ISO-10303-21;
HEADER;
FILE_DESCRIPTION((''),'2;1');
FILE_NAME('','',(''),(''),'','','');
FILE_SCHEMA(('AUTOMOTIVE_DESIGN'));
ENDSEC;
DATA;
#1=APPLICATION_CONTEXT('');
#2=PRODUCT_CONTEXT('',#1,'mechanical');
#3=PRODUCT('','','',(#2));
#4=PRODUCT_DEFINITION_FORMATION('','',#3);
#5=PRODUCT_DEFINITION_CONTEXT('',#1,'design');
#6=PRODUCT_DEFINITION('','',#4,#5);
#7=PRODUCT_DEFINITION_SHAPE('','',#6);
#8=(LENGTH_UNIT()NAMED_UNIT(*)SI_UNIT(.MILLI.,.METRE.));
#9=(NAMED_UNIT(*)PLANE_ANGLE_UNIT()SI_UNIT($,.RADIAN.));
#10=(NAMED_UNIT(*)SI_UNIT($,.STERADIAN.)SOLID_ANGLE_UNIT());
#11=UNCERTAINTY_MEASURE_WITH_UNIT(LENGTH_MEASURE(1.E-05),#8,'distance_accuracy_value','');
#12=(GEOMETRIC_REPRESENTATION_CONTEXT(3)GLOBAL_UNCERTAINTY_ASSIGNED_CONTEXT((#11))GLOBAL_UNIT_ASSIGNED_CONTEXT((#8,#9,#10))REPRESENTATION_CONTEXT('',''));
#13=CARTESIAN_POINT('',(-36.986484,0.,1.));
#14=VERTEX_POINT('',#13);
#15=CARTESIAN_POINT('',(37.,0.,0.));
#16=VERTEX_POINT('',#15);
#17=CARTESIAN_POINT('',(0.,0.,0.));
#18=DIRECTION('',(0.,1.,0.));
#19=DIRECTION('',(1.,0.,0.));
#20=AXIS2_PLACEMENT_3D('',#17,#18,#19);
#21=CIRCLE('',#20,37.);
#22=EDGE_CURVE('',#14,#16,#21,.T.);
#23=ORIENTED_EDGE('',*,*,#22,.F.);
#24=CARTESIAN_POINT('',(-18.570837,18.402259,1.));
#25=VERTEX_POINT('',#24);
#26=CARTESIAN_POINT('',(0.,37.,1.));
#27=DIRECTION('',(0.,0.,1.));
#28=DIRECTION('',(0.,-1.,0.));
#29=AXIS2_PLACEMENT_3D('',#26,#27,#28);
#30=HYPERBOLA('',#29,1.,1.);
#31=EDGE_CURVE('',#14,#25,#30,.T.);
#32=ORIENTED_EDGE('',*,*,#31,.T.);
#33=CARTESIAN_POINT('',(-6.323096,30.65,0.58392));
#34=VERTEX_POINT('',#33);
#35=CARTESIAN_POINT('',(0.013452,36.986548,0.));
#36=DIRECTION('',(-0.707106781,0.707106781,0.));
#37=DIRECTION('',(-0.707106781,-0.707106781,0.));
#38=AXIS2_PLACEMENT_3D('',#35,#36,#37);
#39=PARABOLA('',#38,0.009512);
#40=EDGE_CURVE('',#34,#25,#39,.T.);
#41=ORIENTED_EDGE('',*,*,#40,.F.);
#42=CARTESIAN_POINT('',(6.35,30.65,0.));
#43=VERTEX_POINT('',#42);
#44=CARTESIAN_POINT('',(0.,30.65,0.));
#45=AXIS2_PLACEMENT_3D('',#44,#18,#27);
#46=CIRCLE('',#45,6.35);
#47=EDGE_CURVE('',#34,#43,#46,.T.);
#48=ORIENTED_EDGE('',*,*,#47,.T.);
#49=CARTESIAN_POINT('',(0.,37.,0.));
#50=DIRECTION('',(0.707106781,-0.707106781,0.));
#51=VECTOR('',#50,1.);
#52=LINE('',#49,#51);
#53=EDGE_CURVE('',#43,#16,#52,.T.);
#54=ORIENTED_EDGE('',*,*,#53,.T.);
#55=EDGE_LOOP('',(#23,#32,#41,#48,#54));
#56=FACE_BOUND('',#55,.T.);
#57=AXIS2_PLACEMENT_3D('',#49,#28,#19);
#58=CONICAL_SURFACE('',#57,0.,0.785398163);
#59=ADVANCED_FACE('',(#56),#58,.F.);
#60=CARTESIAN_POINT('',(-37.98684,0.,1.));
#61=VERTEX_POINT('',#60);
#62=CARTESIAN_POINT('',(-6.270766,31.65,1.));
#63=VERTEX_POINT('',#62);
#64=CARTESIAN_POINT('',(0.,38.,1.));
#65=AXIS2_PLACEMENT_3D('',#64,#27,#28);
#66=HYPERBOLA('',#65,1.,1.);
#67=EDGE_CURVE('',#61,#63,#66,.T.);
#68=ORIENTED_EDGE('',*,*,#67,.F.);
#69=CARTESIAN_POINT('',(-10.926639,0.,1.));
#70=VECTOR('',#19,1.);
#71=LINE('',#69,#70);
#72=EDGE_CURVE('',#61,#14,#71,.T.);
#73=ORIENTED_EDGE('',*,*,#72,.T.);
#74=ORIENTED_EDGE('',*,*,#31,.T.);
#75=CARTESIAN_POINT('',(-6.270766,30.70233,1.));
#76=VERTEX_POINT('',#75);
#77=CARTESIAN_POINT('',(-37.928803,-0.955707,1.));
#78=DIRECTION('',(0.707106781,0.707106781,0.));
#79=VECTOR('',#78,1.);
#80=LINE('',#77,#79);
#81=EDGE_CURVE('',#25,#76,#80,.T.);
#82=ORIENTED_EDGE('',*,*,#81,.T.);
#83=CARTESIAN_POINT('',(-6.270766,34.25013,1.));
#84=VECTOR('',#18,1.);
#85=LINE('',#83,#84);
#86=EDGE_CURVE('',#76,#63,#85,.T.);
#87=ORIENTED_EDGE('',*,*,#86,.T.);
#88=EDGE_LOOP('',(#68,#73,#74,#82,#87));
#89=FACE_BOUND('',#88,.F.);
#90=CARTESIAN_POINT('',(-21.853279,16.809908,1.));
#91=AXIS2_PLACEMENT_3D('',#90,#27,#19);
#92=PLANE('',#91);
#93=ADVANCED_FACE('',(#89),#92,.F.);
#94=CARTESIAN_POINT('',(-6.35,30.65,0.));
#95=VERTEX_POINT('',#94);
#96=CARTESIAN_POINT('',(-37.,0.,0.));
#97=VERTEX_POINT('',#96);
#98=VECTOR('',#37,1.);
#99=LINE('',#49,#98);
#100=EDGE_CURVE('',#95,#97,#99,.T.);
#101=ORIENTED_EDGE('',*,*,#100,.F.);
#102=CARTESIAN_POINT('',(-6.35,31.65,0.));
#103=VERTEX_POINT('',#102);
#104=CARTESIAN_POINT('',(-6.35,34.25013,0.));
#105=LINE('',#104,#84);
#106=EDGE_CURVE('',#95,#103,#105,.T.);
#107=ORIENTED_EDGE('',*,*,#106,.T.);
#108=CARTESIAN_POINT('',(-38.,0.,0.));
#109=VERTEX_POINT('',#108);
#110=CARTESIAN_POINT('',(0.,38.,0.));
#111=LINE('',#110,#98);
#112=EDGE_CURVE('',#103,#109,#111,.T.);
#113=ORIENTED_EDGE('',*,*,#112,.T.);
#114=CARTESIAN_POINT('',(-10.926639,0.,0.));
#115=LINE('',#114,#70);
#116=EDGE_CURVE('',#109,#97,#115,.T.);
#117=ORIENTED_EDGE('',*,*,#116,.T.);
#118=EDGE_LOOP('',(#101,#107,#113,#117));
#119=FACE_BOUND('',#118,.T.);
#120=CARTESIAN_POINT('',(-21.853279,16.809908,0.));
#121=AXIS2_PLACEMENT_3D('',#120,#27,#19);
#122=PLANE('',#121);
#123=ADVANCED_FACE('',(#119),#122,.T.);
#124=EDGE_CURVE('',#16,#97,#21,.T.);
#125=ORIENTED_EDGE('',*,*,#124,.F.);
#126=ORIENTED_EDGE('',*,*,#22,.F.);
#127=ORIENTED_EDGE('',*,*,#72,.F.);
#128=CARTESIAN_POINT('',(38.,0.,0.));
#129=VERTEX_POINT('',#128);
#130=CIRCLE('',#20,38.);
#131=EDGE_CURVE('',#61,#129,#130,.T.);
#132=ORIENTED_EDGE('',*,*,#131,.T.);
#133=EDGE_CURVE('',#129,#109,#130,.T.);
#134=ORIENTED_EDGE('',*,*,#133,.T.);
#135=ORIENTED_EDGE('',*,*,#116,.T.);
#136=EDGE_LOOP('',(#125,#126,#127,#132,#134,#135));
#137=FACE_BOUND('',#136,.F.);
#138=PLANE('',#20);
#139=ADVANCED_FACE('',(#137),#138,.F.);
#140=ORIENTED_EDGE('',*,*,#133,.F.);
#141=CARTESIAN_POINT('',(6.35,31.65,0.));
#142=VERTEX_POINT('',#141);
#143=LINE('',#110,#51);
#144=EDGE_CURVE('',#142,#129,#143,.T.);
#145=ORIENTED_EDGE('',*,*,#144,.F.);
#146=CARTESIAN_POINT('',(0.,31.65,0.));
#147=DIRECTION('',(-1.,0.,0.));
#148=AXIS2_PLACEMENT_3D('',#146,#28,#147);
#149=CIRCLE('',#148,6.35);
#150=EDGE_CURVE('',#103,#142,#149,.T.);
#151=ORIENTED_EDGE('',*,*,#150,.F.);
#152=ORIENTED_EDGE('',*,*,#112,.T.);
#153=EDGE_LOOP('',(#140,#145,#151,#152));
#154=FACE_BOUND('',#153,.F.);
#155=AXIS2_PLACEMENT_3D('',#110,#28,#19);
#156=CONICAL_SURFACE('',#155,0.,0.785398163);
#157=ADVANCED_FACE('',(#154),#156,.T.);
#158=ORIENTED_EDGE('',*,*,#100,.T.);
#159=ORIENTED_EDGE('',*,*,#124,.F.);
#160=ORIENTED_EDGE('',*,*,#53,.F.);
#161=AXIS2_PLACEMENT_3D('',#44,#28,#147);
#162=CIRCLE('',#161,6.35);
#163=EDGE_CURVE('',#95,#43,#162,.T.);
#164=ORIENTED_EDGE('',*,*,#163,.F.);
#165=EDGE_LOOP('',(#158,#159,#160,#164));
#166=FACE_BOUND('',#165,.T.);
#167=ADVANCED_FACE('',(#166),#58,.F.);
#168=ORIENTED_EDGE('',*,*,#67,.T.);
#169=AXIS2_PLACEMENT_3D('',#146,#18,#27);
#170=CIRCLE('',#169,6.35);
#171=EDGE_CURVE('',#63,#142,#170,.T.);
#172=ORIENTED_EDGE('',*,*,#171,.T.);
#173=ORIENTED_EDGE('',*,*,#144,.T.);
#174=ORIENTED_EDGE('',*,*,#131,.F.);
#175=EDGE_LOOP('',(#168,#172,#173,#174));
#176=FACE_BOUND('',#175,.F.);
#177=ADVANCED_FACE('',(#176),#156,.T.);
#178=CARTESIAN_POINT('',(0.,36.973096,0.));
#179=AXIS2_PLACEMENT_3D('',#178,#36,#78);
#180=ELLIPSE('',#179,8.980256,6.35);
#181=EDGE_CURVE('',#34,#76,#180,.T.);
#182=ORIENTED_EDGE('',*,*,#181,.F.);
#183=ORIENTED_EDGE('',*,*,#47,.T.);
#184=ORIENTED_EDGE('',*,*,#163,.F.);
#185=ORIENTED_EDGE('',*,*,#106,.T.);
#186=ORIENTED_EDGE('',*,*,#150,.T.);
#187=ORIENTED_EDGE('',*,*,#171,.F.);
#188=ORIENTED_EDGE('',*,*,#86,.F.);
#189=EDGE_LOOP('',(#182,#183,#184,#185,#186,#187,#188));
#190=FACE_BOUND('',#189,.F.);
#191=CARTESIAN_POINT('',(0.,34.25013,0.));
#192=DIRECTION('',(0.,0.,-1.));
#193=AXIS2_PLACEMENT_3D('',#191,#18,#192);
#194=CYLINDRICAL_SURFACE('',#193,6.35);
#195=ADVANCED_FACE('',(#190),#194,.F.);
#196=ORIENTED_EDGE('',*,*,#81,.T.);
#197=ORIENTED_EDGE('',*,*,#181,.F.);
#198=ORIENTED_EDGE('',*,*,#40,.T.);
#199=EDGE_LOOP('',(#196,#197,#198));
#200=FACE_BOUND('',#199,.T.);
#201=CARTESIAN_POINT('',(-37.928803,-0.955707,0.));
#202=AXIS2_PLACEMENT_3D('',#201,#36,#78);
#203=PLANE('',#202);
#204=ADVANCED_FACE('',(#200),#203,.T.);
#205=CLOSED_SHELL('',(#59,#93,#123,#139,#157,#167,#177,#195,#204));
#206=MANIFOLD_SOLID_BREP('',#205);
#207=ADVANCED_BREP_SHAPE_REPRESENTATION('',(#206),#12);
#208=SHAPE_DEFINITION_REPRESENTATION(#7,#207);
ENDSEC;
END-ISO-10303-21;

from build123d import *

# Parameters (mm, degrees)
SKETCH3_W          = 6.35
SKETCH3_H          = 17.293961796
CUT_EXTRUDE1_DEPTH = 1


with BuildPart() as part:
    # Sketch1 → Revolve1 (revolve)
    with BuildSketch(Plane.XY):
        Polygon((0, 0), (0, 38), (38, 0), align=None)
    revolve(axis=Axis((0, 0, 0), (0, 1, 0)))

    # Sketch2 → Cut-Revolve1 (revolve, cut)
    with BuildSketch(Plane.XY):
        Polygon((0, 0), (0, 37), (37, 0), align=None)
    revolve(axis=Axis((0, 0, 0), (0, 1, 0)), mode=Mode.SUBTRACT)

    # Sketch3 → Cut-Revolve2 (revolve, cut)
    with BuildSketch(Plane(origin=(0, 0, 0), x_dir=(0, 0, -1), z_dir=(1, 0, 0))):
        with Locations((3.175, 34.250129947)):
            Rectangle(SKETCH3_W, SKETCH3_H)
    revolve(axis=Axis((0, 0, 0), (0, 1, 0)), mode=Mode.SUBTRACT)

    # Sketch15 → Cut-Extrude1 (cut)
    with BuildSketch(Plane.XY):
        Polygon((-39.618894295, 0.734384701), (-37.928802574, -0.95570702), (-4.087663697, 32.885431857), (-5.777755418, 34.575523578), align=None)
    extrude(amount=CUT_EXTRUDE1_DEPTH, mode=Mode.SUBTRACT)


solid = part.part
